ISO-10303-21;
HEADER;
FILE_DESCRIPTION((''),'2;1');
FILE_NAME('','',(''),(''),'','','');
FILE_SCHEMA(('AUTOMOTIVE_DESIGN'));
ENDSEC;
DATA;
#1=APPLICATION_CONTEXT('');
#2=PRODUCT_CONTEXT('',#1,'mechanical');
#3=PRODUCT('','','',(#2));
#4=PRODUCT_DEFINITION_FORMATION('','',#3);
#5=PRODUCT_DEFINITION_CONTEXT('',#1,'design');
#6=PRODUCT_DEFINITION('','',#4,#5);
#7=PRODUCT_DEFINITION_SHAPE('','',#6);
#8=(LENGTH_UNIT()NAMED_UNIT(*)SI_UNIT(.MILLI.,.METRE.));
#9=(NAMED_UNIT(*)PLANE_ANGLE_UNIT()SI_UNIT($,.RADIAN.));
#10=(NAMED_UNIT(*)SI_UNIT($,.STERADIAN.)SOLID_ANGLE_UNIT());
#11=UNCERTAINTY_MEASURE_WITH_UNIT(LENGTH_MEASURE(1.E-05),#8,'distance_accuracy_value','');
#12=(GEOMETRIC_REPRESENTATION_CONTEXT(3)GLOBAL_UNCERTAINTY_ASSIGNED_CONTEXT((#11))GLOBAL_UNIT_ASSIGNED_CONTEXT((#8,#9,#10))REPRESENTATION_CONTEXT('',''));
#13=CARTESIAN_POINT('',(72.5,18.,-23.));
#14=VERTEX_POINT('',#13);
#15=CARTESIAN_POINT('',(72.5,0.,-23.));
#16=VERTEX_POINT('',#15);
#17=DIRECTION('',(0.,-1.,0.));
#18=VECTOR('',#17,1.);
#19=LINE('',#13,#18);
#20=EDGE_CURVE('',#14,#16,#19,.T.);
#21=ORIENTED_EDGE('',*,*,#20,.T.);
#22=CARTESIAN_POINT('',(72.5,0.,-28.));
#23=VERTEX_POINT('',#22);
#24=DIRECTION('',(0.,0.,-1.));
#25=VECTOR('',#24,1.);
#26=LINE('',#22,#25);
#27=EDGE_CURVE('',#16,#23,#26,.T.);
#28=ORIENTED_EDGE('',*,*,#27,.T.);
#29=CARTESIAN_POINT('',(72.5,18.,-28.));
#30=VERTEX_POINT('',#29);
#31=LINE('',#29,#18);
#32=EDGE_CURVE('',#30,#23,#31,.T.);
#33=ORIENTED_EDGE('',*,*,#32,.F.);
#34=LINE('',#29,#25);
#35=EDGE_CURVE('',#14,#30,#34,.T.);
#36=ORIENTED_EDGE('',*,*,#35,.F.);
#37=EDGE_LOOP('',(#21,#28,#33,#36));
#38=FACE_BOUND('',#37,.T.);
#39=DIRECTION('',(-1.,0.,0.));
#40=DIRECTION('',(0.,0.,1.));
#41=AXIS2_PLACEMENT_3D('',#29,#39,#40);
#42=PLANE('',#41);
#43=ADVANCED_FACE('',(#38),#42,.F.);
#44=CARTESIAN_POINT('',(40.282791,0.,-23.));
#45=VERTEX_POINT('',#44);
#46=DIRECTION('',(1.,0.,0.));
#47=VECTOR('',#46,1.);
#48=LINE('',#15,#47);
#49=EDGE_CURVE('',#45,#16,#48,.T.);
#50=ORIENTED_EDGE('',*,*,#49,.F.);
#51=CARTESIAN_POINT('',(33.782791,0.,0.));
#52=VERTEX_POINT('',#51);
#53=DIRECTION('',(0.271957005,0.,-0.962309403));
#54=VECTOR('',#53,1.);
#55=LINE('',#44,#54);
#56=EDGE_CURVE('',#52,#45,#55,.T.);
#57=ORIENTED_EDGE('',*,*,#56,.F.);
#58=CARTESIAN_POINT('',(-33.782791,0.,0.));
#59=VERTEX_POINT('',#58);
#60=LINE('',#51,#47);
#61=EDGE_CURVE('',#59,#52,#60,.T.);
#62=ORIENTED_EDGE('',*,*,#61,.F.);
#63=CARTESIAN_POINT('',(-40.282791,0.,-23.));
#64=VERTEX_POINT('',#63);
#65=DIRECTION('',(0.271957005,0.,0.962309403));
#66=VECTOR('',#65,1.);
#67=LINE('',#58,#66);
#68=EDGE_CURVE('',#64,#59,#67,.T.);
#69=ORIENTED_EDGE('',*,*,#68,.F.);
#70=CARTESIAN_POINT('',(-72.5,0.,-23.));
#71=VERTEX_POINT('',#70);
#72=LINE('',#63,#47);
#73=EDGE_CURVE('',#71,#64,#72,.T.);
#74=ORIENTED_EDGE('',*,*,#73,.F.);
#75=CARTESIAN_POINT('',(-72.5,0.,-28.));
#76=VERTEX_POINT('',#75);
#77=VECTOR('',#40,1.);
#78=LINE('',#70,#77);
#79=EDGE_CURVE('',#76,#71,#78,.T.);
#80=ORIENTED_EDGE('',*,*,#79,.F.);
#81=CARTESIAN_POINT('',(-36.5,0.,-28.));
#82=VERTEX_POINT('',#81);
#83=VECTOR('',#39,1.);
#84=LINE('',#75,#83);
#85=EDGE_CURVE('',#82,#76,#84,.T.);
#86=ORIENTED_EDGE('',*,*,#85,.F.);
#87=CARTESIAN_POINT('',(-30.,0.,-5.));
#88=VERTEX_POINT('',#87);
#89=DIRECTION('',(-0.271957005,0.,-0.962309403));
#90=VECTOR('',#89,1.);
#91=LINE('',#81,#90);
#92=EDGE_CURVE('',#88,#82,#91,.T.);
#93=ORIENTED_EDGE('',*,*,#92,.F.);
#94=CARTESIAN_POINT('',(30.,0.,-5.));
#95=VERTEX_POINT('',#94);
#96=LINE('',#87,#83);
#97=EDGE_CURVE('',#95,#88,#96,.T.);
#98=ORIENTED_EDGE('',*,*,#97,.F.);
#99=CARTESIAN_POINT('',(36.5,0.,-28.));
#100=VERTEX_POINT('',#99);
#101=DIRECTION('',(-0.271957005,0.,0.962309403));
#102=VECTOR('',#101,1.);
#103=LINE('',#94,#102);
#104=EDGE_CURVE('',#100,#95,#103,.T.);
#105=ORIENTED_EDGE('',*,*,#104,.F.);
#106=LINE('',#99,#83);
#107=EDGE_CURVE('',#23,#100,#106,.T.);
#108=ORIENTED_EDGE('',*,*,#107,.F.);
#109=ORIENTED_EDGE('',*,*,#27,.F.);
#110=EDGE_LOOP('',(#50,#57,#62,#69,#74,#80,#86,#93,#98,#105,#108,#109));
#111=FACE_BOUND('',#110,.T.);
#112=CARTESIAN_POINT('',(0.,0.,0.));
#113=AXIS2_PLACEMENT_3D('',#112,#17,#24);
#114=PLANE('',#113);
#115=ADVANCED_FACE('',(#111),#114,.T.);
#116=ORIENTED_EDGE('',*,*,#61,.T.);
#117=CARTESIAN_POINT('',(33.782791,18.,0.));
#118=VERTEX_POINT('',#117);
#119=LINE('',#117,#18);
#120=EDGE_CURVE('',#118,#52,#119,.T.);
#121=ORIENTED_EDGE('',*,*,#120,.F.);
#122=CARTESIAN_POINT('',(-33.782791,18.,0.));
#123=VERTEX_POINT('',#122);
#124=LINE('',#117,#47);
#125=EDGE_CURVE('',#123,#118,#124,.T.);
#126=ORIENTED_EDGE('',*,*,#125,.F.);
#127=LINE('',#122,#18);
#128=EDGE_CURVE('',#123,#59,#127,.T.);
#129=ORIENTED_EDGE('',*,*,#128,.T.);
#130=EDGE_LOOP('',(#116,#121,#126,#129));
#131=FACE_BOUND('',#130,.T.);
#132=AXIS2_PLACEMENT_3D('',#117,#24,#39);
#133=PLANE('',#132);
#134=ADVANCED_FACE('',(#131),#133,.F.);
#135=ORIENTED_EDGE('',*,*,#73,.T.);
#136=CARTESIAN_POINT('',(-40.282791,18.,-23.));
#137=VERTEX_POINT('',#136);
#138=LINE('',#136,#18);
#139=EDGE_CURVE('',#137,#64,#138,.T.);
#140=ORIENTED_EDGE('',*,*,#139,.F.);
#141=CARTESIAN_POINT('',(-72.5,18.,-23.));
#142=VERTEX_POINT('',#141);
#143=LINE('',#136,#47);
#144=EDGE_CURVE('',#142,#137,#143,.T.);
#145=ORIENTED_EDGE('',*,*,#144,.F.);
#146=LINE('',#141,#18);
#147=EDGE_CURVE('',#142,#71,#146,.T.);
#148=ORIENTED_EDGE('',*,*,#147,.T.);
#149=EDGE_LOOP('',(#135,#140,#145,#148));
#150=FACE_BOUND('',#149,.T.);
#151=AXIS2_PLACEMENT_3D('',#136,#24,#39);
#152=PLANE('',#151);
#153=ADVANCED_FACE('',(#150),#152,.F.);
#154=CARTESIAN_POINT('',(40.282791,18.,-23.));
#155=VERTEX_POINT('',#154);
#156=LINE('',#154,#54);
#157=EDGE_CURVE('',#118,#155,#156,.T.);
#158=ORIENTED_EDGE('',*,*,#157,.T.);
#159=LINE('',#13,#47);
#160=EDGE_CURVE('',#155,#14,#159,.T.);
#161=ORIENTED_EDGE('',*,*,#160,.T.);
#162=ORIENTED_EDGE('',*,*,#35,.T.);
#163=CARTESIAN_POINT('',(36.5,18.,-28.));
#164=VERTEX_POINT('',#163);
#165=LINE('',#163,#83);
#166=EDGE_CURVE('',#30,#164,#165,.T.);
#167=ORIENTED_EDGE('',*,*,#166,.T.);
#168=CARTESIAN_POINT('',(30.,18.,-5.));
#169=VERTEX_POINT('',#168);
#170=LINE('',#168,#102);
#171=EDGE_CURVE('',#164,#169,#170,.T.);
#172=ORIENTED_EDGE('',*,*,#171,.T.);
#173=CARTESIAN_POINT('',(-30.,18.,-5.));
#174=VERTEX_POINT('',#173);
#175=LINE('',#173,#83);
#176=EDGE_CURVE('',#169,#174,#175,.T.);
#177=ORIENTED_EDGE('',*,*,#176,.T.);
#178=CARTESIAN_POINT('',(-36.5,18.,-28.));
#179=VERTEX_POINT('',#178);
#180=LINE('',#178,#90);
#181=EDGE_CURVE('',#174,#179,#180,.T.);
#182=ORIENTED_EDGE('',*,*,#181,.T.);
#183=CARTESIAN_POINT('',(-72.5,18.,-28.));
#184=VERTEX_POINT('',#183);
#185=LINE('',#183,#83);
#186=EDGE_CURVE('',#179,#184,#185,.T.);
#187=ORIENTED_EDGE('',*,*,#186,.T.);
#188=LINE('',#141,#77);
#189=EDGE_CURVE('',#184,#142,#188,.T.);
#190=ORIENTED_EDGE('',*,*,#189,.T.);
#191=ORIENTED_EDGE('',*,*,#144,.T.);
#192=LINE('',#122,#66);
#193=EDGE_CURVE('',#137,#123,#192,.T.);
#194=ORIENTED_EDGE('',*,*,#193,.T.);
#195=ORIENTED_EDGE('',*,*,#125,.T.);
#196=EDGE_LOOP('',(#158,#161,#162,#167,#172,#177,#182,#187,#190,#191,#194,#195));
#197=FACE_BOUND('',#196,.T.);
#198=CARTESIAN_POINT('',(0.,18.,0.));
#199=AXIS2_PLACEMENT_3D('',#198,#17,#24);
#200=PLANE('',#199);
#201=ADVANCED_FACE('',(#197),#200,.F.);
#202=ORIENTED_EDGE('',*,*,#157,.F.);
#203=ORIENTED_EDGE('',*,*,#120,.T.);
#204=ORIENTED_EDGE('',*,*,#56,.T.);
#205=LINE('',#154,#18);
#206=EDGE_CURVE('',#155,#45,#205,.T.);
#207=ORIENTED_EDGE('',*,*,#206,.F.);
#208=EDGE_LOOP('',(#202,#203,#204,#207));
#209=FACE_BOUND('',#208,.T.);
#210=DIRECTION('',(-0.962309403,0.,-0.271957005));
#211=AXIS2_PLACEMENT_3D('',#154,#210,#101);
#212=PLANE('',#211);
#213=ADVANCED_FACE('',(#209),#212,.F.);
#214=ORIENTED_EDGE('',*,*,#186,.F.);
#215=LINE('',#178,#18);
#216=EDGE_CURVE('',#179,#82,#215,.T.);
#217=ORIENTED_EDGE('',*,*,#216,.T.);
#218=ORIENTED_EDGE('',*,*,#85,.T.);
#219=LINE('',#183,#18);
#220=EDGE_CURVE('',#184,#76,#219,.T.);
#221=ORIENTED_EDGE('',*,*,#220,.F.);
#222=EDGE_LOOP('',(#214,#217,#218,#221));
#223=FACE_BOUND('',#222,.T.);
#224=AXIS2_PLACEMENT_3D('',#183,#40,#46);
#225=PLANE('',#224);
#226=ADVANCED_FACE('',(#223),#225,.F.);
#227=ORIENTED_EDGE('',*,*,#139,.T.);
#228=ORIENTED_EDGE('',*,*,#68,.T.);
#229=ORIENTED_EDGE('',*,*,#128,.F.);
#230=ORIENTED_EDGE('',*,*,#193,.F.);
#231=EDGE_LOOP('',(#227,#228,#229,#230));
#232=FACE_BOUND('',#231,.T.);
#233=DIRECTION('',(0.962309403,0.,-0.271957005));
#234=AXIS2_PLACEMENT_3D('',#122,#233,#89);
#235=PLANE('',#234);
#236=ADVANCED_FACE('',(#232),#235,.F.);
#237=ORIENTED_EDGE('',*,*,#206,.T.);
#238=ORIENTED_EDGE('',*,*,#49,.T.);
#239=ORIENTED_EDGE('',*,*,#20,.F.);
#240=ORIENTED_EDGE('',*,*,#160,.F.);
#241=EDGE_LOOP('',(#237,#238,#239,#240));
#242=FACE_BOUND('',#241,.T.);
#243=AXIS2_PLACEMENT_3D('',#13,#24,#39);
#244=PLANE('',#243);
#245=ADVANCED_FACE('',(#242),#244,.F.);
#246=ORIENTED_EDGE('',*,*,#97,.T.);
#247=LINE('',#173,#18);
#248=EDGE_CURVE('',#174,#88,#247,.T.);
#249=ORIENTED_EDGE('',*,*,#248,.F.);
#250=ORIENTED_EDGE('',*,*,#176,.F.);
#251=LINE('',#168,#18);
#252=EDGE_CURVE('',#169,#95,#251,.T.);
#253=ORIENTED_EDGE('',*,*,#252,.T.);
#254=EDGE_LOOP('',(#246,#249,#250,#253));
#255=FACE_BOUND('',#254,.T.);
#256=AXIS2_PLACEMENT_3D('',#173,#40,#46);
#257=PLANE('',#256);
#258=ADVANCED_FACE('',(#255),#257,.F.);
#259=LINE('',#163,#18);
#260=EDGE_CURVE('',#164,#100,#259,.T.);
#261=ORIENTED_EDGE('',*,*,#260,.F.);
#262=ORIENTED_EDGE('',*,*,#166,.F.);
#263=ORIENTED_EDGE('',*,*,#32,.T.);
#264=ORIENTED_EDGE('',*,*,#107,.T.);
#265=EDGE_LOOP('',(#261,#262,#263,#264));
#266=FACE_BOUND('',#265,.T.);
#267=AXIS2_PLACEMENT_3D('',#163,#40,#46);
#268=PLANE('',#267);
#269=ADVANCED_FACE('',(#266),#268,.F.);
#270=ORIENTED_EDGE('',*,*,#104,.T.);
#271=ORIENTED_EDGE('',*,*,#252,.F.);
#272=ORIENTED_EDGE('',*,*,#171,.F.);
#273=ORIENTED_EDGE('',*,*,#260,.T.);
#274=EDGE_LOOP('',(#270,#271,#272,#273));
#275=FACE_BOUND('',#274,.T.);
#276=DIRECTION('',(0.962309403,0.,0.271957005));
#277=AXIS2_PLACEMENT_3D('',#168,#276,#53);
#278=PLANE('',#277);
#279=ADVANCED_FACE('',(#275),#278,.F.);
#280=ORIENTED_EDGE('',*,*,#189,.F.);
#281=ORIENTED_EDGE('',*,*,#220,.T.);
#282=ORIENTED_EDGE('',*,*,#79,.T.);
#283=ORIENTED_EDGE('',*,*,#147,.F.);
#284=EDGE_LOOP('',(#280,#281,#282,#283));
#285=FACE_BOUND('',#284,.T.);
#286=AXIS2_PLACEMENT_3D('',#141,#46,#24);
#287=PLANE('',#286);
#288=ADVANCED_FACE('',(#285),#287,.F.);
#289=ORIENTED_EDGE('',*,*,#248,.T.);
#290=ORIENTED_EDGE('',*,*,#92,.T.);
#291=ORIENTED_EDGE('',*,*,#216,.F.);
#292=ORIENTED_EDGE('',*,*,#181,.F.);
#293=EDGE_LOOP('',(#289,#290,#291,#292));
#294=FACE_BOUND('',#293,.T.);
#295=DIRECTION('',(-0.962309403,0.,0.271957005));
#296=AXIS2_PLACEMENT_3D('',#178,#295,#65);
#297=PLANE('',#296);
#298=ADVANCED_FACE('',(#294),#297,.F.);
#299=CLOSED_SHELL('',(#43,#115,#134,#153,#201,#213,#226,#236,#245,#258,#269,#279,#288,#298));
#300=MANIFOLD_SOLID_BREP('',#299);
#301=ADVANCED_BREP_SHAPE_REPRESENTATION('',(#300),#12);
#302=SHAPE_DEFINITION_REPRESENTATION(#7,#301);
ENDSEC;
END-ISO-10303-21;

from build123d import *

# Parameters (mm, degrees)
EXTRUDE_1_DEPTH = 18


with BuildPart() as part:
    # 草图1 → 凸台-拉伸1 (new body)
    with BuildSketch(Plane(origin=(0, 0, 0), x_dir=(1, 0, 0), z_dir=(0, 1, 0))):
        Polygon((-72.5, 28), (-36.5, 28), (-30, 5), (30, 5), (36.5, 28), (72.5, 28), (72.5, 23), (40.28279061, 23), (33.78279061, 0), (-33.78279061, 0), (-40.28279061, 23), (-72.5, 23), align=None)
    extrude(amount=EXTRUDE_1_DEPTH)


solid = part.part
